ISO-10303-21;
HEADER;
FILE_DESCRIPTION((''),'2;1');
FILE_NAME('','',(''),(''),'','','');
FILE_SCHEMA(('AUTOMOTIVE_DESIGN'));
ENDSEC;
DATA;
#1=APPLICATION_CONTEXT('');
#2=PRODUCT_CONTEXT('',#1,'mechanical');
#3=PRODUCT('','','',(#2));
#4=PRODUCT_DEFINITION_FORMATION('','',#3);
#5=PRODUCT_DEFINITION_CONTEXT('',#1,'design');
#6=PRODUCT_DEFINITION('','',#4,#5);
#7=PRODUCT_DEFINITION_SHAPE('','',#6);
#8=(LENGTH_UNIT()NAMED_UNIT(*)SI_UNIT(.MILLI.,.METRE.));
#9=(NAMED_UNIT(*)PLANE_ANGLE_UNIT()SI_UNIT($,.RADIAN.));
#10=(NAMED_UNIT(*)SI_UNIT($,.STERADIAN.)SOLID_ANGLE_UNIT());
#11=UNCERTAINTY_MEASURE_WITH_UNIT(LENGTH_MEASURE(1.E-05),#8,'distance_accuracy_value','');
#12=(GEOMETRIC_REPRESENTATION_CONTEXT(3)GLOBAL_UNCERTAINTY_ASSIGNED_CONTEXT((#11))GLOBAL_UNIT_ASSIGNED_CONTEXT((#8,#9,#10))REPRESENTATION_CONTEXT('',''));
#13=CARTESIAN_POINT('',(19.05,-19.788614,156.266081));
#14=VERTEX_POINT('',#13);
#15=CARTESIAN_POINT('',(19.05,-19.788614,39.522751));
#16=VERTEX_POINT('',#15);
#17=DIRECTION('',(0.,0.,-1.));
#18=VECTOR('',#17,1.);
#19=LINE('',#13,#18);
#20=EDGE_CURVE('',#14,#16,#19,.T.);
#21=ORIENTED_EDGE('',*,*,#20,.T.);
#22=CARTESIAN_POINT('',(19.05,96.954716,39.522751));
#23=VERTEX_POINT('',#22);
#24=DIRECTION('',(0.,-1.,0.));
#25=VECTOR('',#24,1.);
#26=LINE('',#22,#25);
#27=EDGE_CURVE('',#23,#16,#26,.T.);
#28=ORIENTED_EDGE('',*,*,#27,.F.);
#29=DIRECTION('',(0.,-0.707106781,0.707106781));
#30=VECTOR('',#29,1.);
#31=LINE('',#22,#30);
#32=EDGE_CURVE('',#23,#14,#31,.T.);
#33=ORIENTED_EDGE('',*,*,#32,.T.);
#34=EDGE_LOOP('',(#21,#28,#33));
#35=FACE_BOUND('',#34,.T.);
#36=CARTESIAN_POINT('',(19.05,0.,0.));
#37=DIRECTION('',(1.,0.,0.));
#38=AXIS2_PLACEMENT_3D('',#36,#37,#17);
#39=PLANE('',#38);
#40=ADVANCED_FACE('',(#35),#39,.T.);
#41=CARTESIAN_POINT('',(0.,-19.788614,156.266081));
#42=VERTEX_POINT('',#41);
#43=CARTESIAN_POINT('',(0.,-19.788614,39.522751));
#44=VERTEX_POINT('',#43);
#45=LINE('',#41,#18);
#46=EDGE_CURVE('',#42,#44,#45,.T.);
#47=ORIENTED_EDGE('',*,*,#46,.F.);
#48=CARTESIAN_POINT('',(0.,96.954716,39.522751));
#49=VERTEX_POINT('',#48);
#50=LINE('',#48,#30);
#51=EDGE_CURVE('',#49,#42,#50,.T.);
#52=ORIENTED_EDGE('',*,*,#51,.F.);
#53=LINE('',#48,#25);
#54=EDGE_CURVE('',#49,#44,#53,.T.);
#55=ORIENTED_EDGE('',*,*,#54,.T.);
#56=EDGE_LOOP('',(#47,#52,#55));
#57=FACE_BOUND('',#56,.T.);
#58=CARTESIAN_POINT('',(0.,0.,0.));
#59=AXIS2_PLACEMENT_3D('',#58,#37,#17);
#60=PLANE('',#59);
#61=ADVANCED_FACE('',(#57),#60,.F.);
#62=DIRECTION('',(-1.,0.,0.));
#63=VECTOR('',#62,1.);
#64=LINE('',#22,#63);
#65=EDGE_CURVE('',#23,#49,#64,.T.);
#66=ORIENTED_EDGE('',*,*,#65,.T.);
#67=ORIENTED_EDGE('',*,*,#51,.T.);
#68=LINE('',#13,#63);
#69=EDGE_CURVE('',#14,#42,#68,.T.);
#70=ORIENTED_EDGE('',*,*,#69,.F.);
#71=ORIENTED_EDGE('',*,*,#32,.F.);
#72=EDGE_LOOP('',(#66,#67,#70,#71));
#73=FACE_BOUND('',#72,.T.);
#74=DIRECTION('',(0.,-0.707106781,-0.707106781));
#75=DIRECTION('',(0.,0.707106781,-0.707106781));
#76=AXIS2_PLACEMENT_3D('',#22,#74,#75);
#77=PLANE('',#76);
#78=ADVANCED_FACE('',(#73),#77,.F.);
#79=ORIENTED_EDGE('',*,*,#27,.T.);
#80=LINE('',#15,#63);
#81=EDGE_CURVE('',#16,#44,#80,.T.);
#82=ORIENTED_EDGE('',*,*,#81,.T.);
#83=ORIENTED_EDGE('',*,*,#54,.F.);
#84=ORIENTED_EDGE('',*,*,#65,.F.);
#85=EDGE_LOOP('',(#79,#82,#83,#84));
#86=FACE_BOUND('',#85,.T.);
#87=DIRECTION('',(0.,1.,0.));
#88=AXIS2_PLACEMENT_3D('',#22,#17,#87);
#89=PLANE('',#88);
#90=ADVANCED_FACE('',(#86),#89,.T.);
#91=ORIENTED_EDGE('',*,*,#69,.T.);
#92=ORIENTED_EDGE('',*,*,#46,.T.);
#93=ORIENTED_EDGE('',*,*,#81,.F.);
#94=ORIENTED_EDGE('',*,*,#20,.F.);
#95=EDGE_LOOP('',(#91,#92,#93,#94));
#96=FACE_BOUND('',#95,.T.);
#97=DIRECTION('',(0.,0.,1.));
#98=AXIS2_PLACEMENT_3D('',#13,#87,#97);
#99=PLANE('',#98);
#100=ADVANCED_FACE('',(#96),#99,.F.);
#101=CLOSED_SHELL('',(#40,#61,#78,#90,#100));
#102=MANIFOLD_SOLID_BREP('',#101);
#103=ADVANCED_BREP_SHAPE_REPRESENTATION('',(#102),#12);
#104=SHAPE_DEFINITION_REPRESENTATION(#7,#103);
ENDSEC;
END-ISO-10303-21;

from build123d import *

# Parameters (mm, degrees)
BOSS_EXTRUDE1_DEPTH = 19.05


with BuildPart() as part:
    # Sketch1 → Boss-Extrude1 (new body)
    with BuildSketch(Plane(origin=(0, 0, 0), x_dir=(0, 0, -1), z_dir=(1, 0, 0))):
        Polygon((-39.52275112, 96.954715642), (-156.266080694, -19.788613932), (-39.52275112, -19.788613932), align=None)
    extrude(amount=BOSS_EXTRUDE1_DEPTH)


solid = part.part
